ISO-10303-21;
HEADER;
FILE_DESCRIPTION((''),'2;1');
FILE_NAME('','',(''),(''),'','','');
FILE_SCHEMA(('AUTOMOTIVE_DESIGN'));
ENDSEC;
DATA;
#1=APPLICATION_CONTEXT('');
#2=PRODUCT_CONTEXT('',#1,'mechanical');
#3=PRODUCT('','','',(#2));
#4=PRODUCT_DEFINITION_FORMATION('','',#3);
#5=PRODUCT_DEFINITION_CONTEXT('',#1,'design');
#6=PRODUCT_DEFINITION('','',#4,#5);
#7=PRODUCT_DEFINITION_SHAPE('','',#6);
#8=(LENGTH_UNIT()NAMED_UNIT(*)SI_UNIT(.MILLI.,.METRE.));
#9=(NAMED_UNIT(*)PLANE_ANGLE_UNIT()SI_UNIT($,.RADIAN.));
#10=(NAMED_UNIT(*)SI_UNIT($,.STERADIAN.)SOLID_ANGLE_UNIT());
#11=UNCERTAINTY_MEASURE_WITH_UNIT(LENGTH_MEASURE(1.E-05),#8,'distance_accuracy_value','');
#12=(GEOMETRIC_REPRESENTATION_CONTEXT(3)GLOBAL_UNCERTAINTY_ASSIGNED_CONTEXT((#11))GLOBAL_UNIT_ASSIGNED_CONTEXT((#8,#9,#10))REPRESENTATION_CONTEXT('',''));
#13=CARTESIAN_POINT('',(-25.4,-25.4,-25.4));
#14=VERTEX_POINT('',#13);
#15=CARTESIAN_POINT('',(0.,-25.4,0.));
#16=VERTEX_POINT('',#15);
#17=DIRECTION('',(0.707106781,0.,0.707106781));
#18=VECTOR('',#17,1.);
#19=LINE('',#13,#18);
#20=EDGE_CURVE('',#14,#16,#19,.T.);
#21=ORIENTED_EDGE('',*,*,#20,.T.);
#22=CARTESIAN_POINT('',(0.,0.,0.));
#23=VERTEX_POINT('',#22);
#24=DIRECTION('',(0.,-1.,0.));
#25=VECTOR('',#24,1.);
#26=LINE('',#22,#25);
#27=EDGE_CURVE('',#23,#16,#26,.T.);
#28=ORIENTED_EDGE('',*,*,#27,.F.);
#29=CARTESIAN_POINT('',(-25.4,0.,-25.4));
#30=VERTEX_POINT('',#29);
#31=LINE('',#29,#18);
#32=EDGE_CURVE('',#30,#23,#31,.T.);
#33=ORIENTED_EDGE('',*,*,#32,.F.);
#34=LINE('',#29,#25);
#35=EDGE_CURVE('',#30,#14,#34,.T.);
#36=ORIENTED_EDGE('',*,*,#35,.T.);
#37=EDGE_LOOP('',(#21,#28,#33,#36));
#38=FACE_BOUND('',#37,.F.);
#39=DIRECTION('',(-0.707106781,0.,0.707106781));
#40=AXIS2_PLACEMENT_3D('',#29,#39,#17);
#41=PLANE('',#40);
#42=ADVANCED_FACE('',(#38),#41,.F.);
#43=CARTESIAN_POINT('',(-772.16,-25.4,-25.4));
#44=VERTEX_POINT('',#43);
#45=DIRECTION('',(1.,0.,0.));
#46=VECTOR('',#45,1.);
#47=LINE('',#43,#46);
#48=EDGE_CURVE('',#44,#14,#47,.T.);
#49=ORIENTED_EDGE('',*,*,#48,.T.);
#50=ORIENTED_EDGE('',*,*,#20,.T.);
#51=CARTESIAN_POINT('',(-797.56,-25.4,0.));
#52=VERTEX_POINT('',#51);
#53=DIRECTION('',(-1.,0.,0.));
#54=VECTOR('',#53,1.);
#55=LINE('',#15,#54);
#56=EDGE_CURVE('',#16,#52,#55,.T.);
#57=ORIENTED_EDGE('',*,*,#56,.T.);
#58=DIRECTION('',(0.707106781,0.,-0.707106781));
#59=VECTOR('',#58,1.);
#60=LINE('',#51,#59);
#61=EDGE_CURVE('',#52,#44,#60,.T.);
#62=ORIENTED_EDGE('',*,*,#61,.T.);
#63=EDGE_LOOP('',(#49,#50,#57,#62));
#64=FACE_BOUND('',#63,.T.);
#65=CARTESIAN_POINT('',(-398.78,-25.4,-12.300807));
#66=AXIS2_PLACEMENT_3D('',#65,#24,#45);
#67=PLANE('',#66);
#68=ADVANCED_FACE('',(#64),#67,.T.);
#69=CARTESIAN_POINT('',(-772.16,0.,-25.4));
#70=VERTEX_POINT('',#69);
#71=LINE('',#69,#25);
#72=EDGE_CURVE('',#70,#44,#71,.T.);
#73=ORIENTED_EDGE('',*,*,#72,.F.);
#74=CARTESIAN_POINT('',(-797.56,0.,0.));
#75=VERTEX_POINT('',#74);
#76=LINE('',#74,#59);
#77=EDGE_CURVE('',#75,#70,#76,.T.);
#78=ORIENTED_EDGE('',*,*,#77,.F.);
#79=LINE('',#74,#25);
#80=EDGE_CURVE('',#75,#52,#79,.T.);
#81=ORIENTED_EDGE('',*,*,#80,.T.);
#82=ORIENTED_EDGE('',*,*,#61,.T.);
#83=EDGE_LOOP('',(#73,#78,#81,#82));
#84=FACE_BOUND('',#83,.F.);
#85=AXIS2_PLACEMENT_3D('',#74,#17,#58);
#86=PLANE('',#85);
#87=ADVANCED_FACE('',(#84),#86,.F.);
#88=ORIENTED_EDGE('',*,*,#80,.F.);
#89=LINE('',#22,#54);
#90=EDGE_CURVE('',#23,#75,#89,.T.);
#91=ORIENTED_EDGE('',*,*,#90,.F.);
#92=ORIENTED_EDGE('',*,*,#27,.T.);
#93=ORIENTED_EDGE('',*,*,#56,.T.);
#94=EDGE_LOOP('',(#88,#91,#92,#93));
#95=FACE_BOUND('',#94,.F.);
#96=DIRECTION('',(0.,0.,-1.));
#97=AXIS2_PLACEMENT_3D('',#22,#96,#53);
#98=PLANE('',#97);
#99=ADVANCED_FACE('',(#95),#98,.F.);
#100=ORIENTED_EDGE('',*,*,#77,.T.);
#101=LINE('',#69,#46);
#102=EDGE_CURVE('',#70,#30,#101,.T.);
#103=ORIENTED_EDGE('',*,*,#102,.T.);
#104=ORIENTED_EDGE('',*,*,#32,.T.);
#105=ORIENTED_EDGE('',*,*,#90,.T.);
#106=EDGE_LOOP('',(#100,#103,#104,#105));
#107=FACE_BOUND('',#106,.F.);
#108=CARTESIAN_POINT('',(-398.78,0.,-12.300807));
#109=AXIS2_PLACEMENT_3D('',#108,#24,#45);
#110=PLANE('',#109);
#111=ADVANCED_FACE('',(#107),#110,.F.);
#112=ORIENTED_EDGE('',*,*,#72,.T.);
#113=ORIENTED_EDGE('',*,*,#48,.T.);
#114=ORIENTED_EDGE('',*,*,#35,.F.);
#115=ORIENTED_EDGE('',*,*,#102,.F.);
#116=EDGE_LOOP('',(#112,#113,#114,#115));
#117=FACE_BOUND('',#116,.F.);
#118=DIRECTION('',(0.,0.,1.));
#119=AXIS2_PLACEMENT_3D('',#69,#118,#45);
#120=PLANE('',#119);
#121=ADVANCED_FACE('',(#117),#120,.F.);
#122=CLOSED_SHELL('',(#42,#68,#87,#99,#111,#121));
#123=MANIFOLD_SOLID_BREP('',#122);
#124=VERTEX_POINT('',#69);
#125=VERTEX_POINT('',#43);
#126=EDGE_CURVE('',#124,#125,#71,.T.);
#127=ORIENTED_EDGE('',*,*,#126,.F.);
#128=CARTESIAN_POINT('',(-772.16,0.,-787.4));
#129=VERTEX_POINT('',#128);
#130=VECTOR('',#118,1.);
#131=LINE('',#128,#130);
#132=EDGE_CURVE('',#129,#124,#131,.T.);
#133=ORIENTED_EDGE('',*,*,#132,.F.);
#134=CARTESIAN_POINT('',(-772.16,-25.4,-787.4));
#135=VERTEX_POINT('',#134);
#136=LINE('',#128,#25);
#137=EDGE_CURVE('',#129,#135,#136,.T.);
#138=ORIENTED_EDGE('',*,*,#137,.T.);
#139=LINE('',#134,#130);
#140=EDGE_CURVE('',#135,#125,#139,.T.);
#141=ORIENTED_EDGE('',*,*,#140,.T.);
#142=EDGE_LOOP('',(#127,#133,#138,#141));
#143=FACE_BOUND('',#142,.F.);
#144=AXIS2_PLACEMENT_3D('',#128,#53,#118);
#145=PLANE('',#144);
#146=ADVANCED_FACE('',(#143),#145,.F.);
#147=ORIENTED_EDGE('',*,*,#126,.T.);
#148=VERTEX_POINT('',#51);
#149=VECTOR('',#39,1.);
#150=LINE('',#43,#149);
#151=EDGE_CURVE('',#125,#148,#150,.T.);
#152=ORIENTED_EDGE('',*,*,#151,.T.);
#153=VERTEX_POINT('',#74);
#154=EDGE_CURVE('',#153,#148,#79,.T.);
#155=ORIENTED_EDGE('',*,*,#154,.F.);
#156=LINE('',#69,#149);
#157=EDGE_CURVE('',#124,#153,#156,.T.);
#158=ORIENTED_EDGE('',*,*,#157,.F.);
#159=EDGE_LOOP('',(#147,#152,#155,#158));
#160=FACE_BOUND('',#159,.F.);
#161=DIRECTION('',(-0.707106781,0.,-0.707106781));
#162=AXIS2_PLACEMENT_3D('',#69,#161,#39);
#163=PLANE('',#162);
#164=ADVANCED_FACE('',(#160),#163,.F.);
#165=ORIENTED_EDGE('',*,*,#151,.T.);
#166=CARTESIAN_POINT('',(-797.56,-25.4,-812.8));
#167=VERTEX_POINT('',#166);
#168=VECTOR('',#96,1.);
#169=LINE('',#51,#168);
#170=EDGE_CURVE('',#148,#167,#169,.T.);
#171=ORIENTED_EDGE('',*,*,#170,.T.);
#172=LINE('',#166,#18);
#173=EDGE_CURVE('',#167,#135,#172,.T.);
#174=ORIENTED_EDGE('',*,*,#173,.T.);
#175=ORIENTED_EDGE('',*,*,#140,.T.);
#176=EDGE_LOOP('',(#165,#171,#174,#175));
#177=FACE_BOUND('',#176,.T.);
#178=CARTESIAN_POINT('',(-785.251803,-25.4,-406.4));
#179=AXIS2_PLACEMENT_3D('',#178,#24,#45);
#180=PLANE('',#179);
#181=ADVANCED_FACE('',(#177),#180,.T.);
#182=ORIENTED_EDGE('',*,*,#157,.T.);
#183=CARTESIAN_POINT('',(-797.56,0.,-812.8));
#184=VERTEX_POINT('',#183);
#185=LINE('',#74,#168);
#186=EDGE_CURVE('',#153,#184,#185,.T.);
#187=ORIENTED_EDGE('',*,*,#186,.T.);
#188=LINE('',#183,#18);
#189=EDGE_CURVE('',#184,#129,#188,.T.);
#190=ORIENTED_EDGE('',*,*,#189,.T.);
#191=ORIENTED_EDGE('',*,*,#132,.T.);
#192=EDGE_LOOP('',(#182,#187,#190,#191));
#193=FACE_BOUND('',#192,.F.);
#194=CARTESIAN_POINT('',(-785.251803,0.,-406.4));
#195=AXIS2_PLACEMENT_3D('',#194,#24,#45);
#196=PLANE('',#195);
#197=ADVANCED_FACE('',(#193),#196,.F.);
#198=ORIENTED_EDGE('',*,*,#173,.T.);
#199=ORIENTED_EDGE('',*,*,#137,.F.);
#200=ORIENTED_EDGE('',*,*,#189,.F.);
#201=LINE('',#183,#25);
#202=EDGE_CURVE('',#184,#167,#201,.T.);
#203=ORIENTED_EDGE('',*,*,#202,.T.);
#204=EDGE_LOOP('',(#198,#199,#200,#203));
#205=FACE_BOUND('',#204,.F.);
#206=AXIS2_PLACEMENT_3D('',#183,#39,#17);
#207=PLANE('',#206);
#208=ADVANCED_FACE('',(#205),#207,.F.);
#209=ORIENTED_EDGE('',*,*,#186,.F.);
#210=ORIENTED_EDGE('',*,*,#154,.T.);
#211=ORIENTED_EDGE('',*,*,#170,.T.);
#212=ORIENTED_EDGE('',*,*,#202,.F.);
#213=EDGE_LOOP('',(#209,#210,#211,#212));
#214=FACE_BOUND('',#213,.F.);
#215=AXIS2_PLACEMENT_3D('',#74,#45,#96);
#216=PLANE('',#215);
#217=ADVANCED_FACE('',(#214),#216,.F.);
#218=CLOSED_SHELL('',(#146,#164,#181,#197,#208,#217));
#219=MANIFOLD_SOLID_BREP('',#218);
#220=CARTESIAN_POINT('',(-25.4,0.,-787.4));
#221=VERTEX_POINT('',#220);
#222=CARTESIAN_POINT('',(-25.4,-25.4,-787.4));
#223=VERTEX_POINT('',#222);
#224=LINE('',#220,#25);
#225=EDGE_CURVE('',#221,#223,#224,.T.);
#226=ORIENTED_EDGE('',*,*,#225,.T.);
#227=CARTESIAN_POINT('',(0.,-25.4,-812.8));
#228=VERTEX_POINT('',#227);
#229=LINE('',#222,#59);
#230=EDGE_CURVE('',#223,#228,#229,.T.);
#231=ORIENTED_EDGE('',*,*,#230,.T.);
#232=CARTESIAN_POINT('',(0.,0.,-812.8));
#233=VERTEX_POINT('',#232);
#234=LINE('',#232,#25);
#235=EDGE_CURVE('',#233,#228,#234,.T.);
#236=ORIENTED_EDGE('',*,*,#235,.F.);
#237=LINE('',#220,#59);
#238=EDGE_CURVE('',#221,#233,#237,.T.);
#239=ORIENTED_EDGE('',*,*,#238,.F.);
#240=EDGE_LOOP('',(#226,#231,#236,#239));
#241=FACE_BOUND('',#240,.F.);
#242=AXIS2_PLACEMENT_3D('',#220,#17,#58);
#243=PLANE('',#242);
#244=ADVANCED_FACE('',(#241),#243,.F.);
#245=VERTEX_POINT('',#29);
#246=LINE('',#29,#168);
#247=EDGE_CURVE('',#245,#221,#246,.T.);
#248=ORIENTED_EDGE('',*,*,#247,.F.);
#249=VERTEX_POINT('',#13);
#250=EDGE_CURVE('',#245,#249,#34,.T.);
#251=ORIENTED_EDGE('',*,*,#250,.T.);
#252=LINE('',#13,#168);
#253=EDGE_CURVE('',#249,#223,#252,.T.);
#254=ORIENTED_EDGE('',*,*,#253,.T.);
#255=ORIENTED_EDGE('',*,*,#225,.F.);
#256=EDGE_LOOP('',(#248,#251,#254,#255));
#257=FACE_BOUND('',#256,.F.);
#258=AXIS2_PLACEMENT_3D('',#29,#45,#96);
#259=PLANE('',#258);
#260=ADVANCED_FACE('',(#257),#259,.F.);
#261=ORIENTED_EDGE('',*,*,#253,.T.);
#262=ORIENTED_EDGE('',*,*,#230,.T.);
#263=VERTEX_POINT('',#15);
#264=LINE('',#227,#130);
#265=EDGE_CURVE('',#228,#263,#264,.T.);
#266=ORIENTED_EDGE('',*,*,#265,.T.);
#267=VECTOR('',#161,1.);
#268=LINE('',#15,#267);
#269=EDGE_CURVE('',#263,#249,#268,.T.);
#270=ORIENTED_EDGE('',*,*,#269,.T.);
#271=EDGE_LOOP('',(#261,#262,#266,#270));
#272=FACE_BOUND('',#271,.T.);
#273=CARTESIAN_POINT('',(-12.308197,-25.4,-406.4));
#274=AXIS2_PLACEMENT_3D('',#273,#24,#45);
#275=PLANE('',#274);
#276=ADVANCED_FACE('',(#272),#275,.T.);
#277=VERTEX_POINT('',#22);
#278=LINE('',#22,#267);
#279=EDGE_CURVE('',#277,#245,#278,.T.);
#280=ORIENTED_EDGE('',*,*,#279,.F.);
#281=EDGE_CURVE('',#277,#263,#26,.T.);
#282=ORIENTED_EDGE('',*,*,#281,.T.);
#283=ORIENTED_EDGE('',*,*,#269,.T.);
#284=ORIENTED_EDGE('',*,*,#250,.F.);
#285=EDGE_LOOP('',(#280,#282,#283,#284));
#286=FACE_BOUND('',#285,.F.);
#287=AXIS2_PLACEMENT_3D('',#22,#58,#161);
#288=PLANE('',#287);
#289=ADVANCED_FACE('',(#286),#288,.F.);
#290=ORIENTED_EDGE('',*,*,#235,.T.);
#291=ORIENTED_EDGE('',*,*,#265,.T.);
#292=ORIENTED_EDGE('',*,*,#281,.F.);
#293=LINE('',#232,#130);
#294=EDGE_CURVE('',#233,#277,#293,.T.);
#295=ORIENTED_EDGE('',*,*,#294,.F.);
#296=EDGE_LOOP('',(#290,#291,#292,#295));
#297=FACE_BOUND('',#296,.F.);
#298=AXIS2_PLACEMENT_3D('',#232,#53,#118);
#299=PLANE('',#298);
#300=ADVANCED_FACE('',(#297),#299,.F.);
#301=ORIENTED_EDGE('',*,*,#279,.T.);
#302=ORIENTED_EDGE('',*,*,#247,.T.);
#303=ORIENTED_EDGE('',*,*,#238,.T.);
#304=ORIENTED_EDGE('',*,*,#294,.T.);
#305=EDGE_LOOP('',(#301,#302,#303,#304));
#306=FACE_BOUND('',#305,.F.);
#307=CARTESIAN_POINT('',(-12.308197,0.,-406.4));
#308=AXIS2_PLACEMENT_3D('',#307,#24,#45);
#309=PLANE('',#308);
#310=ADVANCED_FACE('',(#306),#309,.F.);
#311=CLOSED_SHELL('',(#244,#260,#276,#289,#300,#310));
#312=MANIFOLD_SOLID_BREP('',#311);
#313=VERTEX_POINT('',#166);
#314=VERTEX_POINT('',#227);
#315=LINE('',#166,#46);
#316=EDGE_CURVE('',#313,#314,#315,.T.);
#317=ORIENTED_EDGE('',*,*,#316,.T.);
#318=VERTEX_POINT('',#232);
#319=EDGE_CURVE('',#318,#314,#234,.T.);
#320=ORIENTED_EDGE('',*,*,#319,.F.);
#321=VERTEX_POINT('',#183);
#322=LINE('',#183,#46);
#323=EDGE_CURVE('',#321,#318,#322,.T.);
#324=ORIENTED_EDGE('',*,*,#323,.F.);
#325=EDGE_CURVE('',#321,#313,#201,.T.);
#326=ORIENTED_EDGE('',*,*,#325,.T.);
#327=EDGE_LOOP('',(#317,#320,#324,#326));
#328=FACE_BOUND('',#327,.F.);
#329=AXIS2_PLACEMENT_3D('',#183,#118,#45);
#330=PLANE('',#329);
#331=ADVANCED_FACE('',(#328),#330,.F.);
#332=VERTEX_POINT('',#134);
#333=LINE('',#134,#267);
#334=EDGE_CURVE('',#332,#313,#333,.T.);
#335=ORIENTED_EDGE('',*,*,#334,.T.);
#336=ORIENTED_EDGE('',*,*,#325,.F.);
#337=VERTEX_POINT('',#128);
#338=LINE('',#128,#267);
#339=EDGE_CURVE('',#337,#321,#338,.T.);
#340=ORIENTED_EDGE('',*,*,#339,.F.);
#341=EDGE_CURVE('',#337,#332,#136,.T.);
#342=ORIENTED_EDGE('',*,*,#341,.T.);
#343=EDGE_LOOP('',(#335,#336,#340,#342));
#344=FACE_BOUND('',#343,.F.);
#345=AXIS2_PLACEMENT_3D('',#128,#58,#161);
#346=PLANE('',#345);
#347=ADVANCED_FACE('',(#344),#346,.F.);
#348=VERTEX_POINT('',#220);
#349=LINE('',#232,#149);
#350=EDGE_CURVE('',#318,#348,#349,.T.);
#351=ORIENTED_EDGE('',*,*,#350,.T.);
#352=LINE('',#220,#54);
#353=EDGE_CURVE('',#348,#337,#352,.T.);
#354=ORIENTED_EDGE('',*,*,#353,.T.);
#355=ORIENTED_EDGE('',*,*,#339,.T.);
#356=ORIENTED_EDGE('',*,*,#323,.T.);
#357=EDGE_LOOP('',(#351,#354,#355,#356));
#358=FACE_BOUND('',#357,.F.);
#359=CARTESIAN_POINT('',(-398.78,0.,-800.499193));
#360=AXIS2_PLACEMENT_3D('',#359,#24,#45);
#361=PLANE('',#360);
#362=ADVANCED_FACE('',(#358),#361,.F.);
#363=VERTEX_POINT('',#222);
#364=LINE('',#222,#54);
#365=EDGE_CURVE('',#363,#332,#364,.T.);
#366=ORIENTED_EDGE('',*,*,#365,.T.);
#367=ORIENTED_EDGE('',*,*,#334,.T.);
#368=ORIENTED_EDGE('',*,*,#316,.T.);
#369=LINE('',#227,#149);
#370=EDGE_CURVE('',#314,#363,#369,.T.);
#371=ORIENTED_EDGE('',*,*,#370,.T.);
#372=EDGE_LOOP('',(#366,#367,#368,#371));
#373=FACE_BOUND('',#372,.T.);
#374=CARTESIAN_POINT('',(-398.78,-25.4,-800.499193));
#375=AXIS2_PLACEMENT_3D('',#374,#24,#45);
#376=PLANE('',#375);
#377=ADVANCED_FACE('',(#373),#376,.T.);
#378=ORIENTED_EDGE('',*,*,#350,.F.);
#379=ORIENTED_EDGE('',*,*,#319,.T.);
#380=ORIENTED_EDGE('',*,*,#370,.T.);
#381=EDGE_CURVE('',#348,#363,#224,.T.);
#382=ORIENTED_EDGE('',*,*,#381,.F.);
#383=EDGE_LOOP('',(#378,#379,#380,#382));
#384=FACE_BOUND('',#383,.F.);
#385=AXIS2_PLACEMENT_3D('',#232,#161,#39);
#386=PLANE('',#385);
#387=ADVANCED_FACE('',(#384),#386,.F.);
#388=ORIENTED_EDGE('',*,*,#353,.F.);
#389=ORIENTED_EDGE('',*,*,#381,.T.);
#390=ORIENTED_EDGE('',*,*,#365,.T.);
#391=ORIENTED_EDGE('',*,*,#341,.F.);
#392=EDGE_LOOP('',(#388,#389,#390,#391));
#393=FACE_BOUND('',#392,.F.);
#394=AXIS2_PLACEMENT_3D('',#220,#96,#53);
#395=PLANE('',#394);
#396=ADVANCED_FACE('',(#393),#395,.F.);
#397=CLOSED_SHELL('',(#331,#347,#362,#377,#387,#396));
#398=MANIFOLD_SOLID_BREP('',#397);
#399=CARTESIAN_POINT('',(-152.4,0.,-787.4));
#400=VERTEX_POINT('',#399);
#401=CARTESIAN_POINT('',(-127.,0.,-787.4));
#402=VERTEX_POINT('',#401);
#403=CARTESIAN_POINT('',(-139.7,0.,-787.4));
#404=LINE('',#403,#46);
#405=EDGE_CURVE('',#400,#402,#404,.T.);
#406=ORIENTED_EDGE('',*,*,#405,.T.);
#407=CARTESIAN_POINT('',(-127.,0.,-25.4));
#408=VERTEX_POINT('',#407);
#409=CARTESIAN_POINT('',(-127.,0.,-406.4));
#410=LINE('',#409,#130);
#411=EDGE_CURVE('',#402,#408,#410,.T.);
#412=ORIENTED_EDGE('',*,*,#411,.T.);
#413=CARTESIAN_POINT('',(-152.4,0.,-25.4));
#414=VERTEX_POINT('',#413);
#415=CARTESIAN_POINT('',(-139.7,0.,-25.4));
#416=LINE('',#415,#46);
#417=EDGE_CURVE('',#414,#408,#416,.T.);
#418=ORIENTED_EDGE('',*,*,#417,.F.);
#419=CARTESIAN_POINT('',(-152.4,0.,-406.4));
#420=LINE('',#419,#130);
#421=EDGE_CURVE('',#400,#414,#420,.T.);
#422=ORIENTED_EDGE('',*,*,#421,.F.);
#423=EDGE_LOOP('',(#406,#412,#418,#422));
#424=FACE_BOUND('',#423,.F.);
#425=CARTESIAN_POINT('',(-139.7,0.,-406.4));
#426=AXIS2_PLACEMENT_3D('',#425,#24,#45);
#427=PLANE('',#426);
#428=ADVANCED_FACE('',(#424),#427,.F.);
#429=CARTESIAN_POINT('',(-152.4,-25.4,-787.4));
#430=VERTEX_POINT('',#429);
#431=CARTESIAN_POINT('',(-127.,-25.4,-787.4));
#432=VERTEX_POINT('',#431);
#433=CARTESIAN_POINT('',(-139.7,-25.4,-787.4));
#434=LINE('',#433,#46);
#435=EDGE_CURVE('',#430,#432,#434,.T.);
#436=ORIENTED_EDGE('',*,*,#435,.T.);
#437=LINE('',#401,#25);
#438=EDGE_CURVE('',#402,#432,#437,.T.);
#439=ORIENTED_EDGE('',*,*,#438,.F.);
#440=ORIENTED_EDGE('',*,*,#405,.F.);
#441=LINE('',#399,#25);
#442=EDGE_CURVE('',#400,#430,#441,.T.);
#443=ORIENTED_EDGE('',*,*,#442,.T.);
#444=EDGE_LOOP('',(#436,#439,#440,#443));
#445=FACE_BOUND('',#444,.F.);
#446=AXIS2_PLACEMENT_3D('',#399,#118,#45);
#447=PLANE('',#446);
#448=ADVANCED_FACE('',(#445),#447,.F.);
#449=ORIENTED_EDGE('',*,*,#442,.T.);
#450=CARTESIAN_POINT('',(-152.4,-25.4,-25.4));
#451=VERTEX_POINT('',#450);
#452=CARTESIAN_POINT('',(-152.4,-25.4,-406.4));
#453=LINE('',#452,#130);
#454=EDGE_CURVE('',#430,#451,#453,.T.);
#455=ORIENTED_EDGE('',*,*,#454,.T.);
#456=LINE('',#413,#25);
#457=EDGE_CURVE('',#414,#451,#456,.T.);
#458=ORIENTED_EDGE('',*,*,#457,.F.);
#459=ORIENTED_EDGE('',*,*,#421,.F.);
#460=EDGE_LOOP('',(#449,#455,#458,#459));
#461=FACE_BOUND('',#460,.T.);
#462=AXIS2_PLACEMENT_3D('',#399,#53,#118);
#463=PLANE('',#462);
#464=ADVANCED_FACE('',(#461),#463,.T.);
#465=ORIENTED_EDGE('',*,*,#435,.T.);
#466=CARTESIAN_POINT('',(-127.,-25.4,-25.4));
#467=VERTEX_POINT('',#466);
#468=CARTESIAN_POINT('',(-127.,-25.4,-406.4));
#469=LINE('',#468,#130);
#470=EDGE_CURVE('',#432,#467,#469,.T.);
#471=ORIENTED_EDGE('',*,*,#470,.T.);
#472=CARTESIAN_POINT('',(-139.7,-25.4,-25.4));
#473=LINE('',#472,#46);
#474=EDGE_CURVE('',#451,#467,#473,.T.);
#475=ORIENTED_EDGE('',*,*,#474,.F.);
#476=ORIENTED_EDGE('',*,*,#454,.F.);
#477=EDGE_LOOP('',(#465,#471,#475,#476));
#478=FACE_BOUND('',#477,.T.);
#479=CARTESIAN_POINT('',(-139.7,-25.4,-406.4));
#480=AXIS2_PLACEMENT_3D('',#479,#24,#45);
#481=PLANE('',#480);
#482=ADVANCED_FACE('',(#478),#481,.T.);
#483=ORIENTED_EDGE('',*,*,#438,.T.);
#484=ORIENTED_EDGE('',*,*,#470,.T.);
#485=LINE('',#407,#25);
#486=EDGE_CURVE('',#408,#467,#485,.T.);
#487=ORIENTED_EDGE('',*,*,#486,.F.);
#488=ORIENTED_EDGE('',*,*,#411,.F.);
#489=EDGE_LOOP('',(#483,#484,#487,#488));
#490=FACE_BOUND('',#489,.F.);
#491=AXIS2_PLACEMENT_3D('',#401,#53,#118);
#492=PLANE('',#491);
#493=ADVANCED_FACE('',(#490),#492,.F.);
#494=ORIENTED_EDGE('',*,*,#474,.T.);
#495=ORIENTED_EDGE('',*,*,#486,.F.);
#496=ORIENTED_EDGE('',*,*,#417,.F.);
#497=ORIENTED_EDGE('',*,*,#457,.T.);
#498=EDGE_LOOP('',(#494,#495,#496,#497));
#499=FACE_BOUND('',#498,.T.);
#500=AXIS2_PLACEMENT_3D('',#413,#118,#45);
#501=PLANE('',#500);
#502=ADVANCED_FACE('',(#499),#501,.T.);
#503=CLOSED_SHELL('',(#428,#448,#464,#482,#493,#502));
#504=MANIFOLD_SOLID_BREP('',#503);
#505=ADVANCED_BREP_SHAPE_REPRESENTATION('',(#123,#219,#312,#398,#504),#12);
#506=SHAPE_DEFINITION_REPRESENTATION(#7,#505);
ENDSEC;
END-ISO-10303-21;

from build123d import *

# Parameters (mm, degrees)
F1_DEPTH = 25.4
F2_DEPTH = 25.4
F3_DEPTH = 25.4
F4_DEPTH = 25.4
F0_W     = 25.4
F0_H     = 762
F5_DEPTH = 25.4


with BuildPart() as f1:
    # F0 (on Front) → F1 (new body)
    with BuildSketch(Plane.XZ):
        Polygon((0, -812.8), (0, 0), (-25.4, -25.4), (-25.4, -787.4), align=None)
    extrude(amount=F1_DEPTH)


with BuildPart() as f2:
    # F0 (on Front) → F2 (new body)
    with BuildSketch(Plane.XZ):
        Polygon((-797.56, -812.8), (0, -812.8), (-25.4, -787.4), (-127, -787.4), (-152.4, -787.4), (-772.16, -787.4), align=None)
    extrude(amount=F2_DEPTH)


with BuildPart() as f3:
    # F0 (on Front) → F3 (new body)
    with BuildSketch(Plane.XZ):
        Polygon((-772.16, -25.4), (-797.56, 0), (-797.56, -812.8), (-772.16, -787.4), align=None)
    extrude(amount=F3_DEPTH)


with BuildPart() as f4:
    # F0 (on Front) → F4 (new body)
    with BuildSketch(Plane.XZ):
        Polygon((-25.4, -25.4), (0, 0), (-797.56, 0), (-772.16, -25.4), (-152.4, -25.4), (-127, -25.4), align=None)
    extrude(amount=F4_DEPTH)


with BuildPart() as f5:
    # F0 (on Front) → F5 (new body)
    with BuildSketch(Plane.XZ):
        with Locations((-139.7, -406.4)):
            Rectangle(F0_W, F0_H)
    extrude(amount=F5_DEPTH)


solid = Compound([f1.part, f2.part, f3.part, f4.part, f5.part])
